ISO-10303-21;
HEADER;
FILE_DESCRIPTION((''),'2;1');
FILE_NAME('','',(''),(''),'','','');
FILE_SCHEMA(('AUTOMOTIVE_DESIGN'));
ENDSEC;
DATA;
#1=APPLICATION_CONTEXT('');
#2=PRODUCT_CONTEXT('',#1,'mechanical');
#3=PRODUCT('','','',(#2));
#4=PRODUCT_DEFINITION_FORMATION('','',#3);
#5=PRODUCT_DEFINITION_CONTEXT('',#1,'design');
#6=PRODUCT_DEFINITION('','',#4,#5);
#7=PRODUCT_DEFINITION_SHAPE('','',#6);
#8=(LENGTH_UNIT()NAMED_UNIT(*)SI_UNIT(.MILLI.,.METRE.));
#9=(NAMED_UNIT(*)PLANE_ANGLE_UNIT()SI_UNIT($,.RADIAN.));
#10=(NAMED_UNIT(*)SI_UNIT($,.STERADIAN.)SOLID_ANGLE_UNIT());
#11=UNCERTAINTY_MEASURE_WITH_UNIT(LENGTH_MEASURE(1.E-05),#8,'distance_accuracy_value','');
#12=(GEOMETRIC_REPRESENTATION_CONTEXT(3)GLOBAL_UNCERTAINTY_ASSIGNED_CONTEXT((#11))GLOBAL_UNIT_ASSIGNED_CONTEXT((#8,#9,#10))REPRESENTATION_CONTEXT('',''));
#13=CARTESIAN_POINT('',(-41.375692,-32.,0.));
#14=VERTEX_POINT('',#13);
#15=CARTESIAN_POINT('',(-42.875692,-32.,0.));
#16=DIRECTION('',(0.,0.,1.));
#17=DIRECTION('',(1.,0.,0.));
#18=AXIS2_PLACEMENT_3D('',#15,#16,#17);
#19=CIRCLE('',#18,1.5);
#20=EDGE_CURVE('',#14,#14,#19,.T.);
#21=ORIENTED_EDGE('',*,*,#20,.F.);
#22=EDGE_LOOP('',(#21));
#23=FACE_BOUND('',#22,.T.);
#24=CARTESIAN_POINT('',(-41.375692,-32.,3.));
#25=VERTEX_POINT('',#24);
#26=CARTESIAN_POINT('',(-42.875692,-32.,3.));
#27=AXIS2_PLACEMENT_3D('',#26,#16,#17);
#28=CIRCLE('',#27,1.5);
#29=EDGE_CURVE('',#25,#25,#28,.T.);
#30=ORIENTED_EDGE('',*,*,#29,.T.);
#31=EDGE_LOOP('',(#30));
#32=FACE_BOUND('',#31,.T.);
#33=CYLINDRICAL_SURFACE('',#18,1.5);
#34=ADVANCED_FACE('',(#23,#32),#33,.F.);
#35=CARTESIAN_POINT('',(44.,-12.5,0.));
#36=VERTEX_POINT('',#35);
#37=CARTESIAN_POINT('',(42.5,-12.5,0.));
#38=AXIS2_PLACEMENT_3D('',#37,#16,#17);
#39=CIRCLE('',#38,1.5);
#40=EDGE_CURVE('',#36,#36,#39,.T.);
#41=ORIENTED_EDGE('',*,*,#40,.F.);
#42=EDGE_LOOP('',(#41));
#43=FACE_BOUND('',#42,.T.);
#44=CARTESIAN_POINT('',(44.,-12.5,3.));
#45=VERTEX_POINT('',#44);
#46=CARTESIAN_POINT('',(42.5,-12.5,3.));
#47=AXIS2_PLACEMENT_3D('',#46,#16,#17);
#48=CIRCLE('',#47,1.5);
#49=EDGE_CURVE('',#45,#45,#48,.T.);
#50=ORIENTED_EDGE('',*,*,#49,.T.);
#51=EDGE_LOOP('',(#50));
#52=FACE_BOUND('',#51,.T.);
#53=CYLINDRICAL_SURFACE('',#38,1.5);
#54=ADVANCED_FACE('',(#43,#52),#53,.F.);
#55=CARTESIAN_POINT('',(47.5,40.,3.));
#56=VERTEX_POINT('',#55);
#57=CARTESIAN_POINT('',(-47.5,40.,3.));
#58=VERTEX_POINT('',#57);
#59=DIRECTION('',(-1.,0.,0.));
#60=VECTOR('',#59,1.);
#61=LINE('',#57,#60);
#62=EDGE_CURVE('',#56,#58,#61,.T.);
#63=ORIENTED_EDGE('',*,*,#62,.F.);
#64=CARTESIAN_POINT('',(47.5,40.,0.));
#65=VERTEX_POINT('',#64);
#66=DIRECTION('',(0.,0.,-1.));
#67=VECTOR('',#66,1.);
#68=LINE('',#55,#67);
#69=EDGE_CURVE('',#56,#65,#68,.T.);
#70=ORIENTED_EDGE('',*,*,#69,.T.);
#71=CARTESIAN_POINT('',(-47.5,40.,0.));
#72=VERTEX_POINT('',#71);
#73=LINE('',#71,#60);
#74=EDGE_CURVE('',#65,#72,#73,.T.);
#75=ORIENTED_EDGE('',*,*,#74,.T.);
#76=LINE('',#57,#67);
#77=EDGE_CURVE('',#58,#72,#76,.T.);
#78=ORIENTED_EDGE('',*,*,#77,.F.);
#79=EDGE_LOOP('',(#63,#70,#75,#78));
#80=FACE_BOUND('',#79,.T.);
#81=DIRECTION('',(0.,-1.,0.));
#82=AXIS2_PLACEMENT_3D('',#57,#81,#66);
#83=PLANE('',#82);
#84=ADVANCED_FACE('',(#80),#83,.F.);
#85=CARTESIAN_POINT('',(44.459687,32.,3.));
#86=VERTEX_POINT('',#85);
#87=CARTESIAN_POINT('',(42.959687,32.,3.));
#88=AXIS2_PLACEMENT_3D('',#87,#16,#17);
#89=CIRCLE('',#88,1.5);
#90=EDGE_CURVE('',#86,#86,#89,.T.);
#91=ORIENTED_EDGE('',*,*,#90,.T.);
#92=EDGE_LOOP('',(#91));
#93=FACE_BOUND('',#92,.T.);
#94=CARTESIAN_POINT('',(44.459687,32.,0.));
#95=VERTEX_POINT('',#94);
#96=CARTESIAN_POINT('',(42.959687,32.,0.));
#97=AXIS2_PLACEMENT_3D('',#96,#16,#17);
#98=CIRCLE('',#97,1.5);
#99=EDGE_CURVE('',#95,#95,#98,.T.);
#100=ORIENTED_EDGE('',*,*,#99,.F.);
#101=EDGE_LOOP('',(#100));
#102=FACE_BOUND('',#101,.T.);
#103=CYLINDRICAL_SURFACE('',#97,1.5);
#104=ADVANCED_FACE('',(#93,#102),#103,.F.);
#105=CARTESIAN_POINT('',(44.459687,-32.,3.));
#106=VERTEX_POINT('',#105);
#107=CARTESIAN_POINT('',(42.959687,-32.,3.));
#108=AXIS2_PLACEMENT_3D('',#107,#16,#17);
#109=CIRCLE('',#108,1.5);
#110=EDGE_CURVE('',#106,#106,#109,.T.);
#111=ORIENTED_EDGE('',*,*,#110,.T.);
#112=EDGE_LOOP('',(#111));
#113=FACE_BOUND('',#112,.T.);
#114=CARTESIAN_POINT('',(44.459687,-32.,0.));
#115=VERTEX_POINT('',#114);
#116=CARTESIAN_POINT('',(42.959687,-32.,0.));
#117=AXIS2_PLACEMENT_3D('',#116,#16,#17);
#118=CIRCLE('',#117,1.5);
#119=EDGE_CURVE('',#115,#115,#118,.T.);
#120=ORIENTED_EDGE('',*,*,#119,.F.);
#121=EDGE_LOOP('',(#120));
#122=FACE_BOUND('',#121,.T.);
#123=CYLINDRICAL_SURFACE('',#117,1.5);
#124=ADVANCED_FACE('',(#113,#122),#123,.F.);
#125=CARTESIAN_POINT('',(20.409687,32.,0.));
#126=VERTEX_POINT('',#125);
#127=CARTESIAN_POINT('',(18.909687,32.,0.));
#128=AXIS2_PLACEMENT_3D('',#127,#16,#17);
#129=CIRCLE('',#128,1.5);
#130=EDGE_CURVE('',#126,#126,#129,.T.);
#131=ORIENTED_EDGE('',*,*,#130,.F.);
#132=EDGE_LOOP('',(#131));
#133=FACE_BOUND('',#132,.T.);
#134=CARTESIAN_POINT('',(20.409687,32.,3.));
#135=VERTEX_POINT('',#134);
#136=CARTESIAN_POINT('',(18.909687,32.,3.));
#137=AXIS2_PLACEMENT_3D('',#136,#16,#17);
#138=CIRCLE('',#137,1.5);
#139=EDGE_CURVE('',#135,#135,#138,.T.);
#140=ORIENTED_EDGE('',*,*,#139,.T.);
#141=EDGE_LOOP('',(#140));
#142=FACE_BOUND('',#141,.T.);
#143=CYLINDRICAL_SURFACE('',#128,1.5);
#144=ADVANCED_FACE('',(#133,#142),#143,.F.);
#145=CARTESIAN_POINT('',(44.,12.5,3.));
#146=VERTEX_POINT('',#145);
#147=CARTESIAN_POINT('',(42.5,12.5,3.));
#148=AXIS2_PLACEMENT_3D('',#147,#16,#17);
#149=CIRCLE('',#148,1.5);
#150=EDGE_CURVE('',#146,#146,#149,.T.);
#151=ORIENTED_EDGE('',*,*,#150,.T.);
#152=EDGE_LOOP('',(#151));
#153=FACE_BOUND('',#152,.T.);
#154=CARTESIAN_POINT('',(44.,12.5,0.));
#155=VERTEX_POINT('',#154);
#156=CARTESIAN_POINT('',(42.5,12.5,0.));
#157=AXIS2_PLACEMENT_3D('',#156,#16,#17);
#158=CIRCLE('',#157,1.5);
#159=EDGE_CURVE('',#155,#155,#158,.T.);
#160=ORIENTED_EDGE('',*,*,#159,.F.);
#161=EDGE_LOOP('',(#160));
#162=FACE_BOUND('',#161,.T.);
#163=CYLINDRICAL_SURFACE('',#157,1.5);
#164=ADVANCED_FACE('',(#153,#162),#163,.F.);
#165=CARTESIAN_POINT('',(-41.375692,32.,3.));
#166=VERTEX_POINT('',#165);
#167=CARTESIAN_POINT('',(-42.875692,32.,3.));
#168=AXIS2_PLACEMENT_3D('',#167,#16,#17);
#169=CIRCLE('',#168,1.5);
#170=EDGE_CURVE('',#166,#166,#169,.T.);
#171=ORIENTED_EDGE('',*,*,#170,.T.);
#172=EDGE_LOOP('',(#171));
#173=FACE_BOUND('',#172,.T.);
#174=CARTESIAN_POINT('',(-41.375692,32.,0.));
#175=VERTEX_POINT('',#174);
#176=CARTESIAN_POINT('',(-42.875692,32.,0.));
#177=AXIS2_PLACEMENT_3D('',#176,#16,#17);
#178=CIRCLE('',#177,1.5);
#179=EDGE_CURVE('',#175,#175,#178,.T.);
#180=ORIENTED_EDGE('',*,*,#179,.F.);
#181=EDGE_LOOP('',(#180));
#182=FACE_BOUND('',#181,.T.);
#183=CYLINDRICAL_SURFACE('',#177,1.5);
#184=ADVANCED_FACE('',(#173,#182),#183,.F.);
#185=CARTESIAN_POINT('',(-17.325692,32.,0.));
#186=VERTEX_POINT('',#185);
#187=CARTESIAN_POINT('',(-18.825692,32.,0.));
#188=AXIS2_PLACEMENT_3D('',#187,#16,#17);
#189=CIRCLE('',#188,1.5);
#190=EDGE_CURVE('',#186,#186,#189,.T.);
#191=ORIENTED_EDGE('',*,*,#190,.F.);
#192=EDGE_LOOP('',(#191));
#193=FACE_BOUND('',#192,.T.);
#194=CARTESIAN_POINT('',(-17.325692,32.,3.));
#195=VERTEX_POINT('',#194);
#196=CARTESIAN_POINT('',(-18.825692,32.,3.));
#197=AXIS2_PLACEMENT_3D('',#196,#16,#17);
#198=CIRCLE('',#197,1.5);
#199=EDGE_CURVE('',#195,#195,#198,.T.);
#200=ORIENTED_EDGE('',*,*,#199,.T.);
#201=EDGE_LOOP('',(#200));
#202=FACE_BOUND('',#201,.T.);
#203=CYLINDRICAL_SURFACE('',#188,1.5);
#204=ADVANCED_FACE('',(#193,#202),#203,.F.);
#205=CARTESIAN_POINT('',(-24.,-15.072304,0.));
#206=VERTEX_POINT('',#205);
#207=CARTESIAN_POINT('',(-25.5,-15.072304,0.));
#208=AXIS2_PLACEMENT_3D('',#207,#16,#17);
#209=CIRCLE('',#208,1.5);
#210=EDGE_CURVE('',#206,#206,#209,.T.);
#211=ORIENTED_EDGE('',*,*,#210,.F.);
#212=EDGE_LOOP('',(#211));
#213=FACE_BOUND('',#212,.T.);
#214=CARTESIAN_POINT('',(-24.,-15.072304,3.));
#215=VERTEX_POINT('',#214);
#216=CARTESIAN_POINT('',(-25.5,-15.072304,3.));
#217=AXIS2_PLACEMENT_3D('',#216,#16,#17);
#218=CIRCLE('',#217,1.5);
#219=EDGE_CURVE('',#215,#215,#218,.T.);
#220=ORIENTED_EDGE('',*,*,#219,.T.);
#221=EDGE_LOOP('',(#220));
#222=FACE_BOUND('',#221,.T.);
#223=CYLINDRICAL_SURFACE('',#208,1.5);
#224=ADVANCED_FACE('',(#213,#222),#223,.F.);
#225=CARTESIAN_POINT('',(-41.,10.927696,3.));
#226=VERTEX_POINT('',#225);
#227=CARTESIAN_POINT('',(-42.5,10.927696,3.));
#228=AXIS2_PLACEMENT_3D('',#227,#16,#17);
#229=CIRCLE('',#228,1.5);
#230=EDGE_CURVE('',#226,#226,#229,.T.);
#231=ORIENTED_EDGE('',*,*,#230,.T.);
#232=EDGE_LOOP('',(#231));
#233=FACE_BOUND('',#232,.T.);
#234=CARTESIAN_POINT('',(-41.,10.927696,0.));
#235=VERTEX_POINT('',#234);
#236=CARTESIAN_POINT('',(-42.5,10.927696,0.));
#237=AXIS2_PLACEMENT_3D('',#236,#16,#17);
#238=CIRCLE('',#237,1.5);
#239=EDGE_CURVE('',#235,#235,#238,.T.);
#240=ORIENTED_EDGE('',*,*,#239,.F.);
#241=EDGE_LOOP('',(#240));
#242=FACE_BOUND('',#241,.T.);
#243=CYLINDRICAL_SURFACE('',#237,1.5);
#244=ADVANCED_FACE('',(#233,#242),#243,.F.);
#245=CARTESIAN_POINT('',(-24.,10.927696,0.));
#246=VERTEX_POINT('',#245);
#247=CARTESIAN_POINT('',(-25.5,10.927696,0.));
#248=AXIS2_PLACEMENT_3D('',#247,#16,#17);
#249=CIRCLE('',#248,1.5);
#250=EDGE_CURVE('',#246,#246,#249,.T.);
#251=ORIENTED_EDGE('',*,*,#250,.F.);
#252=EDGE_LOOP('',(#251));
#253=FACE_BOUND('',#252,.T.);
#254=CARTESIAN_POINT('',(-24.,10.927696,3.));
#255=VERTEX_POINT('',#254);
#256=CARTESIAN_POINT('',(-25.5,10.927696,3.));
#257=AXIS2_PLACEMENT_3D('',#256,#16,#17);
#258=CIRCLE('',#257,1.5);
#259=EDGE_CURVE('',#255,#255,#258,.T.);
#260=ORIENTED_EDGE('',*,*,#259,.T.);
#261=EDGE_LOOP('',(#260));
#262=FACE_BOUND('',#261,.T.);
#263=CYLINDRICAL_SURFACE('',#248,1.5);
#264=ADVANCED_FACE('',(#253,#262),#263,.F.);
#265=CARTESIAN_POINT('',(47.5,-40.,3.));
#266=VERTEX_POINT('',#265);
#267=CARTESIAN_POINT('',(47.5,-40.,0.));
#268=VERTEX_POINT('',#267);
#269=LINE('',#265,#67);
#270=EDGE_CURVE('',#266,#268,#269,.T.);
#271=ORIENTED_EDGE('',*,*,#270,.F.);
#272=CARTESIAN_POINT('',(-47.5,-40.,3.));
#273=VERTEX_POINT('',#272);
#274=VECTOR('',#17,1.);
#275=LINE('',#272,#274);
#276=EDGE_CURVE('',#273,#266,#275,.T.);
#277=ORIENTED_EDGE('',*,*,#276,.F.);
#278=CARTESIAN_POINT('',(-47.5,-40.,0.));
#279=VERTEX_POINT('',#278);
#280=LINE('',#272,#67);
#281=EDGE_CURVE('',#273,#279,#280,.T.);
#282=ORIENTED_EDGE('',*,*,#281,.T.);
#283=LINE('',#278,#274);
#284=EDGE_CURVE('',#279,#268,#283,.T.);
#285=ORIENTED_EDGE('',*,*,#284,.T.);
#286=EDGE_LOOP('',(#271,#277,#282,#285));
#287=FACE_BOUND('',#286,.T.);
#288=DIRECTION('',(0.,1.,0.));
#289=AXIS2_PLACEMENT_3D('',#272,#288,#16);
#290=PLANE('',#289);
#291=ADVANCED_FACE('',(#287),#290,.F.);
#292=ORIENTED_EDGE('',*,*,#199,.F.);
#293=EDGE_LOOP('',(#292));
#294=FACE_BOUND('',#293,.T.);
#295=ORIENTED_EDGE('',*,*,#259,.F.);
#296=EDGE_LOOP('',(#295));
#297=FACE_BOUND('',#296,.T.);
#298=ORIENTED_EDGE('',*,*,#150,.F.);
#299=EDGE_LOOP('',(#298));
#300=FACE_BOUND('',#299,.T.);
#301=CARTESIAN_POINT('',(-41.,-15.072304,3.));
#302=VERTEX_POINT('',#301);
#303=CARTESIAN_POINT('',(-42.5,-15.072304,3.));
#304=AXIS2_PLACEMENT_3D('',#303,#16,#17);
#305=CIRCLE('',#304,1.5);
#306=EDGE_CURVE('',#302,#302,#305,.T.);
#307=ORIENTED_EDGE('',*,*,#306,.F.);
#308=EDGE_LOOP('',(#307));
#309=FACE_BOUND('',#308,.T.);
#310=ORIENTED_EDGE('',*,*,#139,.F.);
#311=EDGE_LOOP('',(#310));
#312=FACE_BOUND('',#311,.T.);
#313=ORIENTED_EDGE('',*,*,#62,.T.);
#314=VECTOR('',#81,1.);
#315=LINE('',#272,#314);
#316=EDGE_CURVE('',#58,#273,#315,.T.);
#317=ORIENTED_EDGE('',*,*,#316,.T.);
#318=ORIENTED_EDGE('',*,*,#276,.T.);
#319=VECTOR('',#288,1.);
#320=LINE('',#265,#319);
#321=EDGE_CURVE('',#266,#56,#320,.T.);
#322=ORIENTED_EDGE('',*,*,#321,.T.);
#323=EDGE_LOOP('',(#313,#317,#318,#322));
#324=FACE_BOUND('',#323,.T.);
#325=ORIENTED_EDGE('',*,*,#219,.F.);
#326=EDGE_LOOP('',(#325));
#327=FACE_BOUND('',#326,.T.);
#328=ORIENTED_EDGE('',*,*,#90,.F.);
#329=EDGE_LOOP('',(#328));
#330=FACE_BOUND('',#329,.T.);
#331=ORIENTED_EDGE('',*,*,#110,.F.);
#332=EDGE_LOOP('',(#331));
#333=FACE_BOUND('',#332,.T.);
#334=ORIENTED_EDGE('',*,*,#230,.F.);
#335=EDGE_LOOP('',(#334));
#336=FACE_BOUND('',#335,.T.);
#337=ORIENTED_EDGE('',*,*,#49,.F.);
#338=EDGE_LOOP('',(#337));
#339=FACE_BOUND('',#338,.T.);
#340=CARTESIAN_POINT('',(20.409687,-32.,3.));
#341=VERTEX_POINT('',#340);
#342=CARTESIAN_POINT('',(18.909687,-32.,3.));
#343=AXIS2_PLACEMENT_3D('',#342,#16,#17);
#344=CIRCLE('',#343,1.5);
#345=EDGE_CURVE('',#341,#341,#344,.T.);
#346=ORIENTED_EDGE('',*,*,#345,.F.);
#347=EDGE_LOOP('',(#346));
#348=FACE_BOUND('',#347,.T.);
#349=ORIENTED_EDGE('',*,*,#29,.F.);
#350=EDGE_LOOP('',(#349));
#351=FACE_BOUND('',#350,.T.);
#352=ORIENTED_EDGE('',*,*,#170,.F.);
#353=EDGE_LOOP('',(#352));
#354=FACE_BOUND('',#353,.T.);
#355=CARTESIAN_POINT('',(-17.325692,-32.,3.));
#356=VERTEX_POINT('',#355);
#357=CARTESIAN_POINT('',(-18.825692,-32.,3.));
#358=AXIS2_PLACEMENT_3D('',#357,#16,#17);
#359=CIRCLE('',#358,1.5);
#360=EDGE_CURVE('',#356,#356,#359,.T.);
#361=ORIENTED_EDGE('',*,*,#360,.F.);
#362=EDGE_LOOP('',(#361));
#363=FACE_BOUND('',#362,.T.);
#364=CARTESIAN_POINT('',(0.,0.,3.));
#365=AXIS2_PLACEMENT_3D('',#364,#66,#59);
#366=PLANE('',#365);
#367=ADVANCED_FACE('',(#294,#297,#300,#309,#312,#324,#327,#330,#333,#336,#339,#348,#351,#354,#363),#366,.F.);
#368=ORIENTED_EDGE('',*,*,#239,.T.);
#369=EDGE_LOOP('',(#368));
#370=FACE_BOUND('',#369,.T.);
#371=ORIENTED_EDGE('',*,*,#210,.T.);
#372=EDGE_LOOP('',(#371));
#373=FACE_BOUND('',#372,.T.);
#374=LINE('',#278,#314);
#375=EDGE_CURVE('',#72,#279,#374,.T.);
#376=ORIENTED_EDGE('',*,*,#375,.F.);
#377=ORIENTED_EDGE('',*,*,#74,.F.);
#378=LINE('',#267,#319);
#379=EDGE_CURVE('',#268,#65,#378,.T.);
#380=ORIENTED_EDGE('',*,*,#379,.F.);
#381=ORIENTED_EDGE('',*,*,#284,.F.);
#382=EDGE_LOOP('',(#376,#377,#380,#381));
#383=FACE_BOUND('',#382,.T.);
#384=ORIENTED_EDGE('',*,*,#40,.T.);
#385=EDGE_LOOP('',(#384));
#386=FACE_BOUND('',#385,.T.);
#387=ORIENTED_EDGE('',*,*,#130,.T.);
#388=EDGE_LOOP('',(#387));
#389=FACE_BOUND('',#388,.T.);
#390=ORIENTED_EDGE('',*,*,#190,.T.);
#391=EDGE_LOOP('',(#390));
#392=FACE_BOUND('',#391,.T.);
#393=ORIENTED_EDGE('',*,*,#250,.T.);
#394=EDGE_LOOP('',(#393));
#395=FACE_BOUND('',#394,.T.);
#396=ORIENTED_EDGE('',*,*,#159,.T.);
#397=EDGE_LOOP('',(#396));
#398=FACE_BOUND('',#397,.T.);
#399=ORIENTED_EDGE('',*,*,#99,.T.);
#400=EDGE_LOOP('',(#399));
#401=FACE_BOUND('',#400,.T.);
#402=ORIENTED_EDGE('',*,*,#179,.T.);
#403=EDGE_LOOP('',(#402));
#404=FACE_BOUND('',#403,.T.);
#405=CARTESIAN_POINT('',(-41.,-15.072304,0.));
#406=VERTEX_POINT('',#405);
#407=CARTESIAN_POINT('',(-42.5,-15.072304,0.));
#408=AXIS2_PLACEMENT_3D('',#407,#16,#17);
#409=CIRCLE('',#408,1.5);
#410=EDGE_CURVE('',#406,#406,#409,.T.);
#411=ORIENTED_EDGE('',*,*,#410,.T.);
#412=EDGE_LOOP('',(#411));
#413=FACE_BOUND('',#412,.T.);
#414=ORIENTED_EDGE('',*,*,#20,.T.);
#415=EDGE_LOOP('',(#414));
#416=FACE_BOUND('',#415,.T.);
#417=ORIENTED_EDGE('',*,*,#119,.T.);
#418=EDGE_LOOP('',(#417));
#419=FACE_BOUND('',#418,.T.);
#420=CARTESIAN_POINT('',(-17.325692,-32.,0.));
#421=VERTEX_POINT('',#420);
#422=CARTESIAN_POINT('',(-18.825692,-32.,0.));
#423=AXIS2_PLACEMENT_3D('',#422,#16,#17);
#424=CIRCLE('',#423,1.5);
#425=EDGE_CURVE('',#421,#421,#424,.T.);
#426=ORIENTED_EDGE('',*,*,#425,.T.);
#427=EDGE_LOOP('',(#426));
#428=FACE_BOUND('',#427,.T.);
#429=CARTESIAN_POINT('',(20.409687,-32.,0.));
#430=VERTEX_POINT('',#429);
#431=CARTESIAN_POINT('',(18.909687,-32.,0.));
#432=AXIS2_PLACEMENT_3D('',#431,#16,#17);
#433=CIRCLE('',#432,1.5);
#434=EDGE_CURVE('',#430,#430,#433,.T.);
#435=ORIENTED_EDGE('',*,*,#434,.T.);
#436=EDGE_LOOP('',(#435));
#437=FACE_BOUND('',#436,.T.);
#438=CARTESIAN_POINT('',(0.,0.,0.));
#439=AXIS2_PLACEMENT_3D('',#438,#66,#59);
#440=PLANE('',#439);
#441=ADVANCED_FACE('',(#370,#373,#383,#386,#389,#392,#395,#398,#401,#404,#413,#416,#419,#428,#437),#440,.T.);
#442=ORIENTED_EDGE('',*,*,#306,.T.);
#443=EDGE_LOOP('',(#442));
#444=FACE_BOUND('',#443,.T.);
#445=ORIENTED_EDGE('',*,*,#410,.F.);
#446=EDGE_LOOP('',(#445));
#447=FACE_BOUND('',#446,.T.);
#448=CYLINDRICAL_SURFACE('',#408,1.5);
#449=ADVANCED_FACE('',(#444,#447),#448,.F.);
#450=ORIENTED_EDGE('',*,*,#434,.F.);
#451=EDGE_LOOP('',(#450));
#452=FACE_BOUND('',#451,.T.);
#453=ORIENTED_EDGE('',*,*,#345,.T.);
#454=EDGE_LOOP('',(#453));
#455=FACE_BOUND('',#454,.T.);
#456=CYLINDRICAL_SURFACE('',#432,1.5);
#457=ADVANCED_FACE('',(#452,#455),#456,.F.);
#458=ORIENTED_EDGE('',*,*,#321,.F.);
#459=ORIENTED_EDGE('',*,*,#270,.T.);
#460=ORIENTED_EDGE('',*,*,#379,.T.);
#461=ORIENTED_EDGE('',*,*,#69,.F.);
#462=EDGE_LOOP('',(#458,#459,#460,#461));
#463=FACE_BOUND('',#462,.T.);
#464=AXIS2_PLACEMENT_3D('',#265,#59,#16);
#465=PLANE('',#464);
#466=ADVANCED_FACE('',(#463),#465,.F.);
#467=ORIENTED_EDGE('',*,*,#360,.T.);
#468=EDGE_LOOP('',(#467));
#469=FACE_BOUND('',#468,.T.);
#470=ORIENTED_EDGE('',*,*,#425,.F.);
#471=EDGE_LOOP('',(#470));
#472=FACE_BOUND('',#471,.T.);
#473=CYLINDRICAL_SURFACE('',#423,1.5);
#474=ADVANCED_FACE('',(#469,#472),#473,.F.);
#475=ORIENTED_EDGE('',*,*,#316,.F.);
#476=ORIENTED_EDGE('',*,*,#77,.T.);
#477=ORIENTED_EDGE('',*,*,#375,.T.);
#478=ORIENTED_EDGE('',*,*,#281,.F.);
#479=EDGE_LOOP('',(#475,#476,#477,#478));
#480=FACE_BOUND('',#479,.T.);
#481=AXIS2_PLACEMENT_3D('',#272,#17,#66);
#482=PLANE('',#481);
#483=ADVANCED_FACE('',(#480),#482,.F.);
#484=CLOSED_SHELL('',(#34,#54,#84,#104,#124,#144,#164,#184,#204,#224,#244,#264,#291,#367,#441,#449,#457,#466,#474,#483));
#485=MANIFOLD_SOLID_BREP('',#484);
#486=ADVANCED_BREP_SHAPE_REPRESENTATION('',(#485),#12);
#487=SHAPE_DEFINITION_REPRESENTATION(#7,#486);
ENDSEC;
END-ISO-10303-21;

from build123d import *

# Parameters (mm, degrees)
SKETCH1_W           = 95
SKETCH1_H           = 80
BOSS_EXTRUDE1_DEPTH = 3
SKETCH2_R           = 1.5
CUT_EXTRUDE1_DEPTH  = 3


with BuildPart() as part:
    # Sketch1 → Boss-Extrude1 (new body)
    with BuildSketch(Plane.XY):
        Rectangle(SKETCH1_W, SKETCH1_H)
    extrude(amount=BOSS_EXTRUDE1_DEPTH)

    # Sketch2 → Cut-Extrude1 (cut)
    with BuildSketch(Plane.XY.offset(3)):
        with Locations((-42.875692348, -32)):
            Circle(SKETCH2_R)
        with Locations((-18.825692348, -32)):
            Circle(SKETCH2_R)
        with Locations((-42.875692348, 32)):
            Circle(SKETCH2_R)
        with Locations((-18.825692348, 32)):
            Circle(SKETCH2_R)
        with Locations((-42.5, 10.92769595)):
            Circle(SKETCH2_R)
        with Locations((-25.5, 10.92769595)):
            Circle(SKETCH2_R)
        with Locations((-42.5, -15.07230405)):
            Circle(SKETCH2_R)
        with Locations((-25.5, -15.07230405)):
            Circle(SKETCH2_R)
        with Locations((42.5, -12.5)):
            Circle(SKETCH2_R)
        with Locations((42.5, 12.5)):
            Circle(SKETCH2_R)
        with Locations((18.909687324, 32)):
            Circle(SKETCH2_R)
        with Locations((42.959687324, 32)):
            Circle(SKETCH2_R)
        with Locations((18.909687324, -32)):
            Circle(SKETCH2_R)
        with Locations((42.959687324, -32)):
            Circle(SKETCH2_R)
    extrude(amount=-CUT_EXTRUDE1_DEPTH, mode=Mode.SUBTRACT)


solid = part.part
